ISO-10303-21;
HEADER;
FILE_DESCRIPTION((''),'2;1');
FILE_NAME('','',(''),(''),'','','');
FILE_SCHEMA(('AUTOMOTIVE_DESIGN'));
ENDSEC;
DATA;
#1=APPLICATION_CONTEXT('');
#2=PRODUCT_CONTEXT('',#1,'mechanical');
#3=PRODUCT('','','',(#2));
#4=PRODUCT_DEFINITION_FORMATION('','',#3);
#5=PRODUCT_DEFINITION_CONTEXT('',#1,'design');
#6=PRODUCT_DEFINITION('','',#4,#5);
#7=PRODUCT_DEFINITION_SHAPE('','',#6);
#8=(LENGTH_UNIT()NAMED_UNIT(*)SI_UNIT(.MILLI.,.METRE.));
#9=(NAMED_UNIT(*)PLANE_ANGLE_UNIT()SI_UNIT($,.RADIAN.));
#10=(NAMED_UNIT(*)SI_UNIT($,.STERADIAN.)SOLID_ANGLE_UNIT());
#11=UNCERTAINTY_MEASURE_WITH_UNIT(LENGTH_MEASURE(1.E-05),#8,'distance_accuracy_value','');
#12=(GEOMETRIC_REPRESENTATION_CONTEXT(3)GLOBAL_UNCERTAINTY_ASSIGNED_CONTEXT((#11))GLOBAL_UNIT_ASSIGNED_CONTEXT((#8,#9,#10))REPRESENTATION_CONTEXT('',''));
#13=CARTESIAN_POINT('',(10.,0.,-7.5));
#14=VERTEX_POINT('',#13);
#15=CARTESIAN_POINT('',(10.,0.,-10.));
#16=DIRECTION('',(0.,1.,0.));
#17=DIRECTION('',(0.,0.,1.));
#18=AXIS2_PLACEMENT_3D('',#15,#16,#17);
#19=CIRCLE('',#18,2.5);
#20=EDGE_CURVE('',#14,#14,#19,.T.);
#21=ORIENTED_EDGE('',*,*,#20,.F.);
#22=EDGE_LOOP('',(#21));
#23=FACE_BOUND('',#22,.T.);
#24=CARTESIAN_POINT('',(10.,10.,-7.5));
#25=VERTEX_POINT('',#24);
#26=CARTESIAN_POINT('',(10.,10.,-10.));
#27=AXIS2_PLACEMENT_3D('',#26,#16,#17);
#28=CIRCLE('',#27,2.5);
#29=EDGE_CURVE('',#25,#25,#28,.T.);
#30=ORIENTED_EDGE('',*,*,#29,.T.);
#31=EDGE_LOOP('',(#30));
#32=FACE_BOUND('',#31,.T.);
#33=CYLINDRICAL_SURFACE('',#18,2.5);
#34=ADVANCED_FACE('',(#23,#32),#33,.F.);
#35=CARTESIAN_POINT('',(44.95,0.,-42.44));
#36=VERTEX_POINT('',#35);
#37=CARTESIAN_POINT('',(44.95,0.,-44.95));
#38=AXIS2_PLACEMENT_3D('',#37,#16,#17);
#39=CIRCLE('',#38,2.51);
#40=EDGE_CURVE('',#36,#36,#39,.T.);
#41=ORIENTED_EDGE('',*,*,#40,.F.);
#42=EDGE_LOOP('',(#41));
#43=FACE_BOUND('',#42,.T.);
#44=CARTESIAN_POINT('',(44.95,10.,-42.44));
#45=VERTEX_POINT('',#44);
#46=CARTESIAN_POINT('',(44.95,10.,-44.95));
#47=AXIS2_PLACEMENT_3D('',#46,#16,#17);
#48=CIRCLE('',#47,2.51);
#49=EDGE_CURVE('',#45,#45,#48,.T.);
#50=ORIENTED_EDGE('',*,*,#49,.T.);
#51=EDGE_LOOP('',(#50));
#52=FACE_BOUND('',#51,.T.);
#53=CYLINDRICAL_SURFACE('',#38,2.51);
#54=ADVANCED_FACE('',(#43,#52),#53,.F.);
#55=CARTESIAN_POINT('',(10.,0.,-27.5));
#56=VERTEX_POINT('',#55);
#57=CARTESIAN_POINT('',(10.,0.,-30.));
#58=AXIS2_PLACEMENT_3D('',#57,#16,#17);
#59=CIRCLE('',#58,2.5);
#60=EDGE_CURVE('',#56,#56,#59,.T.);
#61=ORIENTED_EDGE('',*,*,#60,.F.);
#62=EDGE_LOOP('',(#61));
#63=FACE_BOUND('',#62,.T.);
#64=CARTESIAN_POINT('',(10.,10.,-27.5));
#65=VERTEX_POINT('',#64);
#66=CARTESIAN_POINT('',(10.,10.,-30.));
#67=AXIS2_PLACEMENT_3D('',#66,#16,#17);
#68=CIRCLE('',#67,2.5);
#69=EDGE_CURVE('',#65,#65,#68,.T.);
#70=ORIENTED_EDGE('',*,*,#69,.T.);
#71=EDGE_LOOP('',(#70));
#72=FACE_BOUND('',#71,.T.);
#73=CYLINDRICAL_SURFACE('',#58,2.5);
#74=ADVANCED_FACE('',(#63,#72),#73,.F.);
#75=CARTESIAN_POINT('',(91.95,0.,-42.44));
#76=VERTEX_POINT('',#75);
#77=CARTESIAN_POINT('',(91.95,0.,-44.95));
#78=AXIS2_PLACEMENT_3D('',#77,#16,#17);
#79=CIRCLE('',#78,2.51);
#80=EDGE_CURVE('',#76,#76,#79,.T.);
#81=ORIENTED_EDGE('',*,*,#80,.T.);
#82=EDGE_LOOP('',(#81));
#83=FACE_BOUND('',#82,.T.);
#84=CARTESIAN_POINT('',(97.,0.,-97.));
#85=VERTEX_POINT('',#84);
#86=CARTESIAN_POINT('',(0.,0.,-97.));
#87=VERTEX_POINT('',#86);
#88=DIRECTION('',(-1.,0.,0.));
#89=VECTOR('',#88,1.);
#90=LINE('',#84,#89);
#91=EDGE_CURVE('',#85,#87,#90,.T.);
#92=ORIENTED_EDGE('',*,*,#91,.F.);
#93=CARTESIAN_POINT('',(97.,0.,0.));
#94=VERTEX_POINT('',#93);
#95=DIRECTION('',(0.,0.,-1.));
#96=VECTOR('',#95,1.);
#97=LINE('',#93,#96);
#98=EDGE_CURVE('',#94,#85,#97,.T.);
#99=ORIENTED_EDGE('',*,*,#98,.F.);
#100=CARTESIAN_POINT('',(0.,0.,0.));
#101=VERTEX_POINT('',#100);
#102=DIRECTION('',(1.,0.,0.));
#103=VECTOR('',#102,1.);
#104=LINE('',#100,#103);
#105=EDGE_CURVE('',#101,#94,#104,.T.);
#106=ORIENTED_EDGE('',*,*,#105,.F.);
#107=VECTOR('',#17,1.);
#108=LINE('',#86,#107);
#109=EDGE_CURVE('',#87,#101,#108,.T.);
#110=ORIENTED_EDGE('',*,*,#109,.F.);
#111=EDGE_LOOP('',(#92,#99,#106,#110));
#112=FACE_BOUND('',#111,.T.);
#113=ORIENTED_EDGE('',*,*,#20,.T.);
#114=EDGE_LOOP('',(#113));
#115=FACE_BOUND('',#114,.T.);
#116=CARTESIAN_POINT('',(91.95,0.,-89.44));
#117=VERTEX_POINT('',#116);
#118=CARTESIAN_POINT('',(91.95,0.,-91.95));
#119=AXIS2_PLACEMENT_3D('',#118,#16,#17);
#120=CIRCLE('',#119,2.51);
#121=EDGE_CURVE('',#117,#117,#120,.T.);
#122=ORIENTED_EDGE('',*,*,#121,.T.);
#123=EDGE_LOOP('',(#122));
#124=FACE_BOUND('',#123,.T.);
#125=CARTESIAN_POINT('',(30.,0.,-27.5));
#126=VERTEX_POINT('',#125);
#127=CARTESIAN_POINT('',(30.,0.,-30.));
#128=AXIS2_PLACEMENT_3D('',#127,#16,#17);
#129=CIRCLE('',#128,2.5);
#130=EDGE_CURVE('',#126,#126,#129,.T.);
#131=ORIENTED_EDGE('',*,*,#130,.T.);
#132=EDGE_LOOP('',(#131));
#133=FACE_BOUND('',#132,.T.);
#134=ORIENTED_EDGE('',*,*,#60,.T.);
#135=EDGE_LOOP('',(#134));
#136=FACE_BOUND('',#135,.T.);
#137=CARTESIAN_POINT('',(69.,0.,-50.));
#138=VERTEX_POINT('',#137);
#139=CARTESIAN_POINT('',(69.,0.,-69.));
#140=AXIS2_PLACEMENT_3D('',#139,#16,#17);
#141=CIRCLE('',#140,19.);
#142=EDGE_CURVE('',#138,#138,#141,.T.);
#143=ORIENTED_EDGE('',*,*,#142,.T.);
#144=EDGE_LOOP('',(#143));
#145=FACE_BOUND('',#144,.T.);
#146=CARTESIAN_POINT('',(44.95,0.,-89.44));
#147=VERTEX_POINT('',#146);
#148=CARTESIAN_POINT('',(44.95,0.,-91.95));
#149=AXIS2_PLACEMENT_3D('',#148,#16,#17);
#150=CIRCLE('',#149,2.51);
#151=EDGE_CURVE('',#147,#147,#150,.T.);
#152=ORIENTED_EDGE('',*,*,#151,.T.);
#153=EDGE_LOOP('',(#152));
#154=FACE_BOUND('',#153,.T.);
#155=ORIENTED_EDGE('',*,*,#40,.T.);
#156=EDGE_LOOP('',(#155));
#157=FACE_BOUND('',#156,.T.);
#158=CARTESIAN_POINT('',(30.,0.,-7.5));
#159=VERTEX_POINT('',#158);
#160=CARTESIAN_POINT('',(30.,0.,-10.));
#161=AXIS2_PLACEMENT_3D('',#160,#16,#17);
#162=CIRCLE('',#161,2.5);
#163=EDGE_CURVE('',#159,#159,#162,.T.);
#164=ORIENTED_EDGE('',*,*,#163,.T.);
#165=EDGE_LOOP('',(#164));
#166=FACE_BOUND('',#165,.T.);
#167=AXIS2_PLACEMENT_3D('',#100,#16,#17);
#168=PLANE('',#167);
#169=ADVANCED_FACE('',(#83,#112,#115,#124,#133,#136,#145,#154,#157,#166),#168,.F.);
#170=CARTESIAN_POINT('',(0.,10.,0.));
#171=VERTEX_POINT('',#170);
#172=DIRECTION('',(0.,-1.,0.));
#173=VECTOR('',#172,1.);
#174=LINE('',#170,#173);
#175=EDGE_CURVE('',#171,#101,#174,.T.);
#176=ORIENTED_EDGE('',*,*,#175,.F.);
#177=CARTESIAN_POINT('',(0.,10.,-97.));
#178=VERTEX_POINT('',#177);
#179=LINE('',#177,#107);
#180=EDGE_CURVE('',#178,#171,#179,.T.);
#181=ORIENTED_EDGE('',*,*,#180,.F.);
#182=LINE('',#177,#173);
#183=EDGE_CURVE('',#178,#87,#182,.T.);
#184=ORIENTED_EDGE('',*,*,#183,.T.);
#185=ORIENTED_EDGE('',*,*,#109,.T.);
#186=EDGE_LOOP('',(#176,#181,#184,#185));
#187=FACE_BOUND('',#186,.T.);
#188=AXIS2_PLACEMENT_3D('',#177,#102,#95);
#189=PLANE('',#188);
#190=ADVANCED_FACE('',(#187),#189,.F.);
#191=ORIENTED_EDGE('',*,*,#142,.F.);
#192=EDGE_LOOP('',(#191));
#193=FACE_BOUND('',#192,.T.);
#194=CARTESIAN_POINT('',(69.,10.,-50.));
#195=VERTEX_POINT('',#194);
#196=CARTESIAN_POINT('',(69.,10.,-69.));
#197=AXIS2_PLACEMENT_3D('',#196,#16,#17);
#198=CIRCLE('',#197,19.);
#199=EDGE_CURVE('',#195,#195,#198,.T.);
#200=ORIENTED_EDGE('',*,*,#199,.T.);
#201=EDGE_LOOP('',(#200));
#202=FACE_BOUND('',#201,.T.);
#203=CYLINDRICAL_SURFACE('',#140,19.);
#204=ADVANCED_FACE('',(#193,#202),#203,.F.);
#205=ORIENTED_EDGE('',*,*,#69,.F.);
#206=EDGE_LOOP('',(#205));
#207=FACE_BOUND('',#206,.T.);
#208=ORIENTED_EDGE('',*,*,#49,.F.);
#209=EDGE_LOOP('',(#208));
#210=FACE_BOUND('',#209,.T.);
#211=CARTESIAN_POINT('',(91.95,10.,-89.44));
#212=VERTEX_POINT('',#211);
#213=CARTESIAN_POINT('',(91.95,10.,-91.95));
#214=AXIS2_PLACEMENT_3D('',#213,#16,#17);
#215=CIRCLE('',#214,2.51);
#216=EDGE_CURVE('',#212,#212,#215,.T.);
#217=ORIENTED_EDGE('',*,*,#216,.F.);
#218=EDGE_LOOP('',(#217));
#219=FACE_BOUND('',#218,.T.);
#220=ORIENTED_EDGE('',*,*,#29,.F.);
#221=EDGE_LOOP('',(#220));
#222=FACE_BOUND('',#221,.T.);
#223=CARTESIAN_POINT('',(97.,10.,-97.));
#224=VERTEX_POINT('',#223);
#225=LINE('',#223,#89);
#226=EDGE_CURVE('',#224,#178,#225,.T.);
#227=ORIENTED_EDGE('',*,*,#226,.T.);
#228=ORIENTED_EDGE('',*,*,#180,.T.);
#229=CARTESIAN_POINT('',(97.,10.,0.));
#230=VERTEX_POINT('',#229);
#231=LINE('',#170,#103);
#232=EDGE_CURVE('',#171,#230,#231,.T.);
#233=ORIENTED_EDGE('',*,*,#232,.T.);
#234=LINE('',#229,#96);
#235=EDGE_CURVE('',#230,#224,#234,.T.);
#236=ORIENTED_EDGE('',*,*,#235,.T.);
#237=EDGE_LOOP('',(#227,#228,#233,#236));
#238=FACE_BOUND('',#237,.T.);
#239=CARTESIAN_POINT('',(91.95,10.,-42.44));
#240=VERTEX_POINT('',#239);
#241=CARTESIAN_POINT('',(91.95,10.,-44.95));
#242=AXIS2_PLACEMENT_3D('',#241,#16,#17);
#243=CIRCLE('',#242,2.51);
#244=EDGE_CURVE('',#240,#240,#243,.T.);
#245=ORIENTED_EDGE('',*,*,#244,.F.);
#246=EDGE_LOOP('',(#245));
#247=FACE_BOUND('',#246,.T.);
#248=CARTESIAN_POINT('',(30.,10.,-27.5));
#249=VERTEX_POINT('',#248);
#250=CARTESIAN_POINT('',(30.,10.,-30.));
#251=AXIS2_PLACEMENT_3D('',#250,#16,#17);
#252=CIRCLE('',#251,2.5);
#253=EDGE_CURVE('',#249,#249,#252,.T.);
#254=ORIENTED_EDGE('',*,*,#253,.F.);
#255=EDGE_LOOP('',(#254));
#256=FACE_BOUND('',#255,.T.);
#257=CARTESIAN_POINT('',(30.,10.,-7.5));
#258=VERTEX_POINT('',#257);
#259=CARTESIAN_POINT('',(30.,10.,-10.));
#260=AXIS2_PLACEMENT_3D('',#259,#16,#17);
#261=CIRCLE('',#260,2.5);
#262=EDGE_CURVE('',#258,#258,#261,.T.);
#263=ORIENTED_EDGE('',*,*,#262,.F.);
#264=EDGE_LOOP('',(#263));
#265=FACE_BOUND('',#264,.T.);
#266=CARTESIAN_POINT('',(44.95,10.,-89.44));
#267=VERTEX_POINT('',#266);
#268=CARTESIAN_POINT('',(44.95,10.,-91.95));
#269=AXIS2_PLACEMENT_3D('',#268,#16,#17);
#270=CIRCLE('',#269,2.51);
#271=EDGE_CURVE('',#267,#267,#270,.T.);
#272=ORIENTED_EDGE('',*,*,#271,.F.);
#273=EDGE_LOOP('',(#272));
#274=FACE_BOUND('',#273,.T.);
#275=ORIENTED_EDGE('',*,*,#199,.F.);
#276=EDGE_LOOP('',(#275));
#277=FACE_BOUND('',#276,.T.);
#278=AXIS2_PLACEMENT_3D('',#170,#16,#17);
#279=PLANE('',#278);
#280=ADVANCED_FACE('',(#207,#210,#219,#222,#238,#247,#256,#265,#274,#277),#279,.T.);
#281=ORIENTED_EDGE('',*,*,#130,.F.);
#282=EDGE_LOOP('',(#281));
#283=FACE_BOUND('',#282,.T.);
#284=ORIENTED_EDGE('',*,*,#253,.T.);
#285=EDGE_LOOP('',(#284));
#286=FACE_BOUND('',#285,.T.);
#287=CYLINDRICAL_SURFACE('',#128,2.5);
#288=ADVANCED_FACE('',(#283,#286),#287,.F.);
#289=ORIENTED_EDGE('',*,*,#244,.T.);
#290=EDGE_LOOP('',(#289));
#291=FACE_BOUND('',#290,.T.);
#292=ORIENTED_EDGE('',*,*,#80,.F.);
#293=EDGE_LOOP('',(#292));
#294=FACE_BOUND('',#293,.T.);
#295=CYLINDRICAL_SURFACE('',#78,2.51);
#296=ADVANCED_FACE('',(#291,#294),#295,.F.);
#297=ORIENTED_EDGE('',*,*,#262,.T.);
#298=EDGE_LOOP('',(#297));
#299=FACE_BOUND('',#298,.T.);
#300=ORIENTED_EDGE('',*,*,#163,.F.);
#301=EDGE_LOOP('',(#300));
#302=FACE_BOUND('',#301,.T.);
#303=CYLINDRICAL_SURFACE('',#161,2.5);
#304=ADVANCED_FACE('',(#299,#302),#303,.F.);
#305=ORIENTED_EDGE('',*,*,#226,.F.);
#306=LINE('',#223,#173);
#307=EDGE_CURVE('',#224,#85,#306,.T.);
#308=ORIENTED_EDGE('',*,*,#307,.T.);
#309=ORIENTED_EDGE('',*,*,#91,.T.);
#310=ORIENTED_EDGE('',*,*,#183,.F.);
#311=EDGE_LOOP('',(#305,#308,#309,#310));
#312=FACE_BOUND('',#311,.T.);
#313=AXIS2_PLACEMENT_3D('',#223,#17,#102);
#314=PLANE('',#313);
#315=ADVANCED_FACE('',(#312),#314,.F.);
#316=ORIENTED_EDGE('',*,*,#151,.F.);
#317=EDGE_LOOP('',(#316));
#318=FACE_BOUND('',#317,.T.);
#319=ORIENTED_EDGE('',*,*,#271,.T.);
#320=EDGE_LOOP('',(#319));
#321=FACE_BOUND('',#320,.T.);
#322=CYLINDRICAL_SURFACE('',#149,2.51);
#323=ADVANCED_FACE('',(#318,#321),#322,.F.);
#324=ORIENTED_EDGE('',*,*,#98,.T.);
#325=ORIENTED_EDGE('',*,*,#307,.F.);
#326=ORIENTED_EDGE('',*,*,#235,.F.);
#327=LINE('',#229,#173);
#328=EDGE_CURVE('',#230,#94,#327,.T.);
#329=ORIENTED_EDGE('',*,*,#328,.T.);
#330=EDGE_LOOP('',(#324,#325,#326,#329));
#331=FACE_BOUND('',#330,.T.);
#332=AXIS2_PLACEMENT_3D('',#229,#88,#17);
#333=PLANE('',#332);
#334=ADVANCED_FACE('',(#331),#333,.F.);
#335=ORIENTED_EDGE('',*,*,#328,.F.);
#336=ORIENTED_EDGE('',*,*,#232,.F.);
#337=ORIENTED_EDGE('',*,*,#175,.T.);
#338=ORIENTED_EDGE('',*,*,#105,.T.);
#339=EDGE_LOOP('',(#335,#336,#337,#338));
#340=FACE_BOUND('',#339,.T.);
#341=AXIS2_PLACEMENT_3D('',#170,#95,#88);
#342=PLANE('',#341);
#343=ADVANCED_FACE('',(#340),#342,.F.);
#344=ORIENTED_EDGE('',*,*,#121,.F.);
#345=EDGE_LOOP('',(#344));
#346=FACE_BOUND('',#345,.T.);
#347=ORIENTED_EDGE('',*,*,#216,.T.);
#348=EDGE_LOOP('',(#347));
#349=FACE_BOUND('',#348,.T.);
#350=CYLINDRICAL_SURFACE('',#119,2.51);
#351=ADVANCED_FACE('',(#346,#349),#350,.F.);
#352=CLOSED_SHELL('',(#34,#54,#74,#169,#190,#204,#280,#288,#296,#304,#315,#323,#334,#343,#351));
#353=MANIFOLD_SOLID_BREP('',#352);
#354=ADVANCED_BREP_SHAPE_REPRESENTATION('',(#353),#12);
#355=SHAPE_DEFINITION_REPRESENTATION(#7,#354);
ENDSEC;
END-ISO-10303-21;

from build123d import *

# Parameters (mm, degrees)
SKETCH1_W           = 97
SKETCH1_H           = 97
BOSS_EXTRUDE1_DEPTH = 10
SKETCH2_R           = 19
SKETCH2_R_2         = 2.51
SKETCH2_R_3         = 2.5
CUT_EXTRUDE1_DEPTH  = 10


with BuildPart() as part:
    # Sketch1 → Boss-Extrude1 (new body)
    with BuildSketch(Plane(origin=(0, 0, 0), x_dir=(1, 0, 0), z_dir=(0, 1, 0))):
        with Locations((48.5, 48.5)):
            Rectangle(SKETCH1_W, SKETCH1_H)
    extrude(amount=BOSS_EXTRUDE1_DEPTH)

    # Sketch2 → Cut-Extrude1 (cut)
    with BuildSketch(Plane(origin=(0, 10, 0), x_dir=(1, 0, 0), z_dir=(0, 1, 0))):
        with Locations(Location((69, 69, 0), (0, 0, 270))):
            Circle(SKETCH2_R)
        with Locations(Location((44.95, 91.95, 0), (0, 0, 270))):
            Circle(SKETCH2_R_2)
        with Locations(Location((91.95, 91.95, 0), (0, 0, 270))):
            Circle(SKETCH2_R_2)
        with Locations(Location((91.95, 44.95, 0), (0, 0, 270))):
            Circle(SKETCH2_R_2)
        with Locations(Location((44.95, 44.95, 0), (0, 0, 270))):
            Circle(SKETCH2_R_2)
        with Locations(Location((10, 10, 0), (0, 0, 270))):
            Circle(SKETCH2_R_3)
        with Locations(Location((30, 10, 0), (0, 0, 270))):
            Circle(SKETCH2_R_3)
        with Locations(Location((30, 30, 0), (0, 0, 270))):
            Circle(SKETCH2_R_3)
        with Locations(Location((10, 30, 0), (0, 0, 270))):
            Circle(SKETCH2_R_3)
    extrude(amount=-CUT_EXTRUDE1_DEPTH, mode=Mode.SUBTRACT)


solid = part.part
